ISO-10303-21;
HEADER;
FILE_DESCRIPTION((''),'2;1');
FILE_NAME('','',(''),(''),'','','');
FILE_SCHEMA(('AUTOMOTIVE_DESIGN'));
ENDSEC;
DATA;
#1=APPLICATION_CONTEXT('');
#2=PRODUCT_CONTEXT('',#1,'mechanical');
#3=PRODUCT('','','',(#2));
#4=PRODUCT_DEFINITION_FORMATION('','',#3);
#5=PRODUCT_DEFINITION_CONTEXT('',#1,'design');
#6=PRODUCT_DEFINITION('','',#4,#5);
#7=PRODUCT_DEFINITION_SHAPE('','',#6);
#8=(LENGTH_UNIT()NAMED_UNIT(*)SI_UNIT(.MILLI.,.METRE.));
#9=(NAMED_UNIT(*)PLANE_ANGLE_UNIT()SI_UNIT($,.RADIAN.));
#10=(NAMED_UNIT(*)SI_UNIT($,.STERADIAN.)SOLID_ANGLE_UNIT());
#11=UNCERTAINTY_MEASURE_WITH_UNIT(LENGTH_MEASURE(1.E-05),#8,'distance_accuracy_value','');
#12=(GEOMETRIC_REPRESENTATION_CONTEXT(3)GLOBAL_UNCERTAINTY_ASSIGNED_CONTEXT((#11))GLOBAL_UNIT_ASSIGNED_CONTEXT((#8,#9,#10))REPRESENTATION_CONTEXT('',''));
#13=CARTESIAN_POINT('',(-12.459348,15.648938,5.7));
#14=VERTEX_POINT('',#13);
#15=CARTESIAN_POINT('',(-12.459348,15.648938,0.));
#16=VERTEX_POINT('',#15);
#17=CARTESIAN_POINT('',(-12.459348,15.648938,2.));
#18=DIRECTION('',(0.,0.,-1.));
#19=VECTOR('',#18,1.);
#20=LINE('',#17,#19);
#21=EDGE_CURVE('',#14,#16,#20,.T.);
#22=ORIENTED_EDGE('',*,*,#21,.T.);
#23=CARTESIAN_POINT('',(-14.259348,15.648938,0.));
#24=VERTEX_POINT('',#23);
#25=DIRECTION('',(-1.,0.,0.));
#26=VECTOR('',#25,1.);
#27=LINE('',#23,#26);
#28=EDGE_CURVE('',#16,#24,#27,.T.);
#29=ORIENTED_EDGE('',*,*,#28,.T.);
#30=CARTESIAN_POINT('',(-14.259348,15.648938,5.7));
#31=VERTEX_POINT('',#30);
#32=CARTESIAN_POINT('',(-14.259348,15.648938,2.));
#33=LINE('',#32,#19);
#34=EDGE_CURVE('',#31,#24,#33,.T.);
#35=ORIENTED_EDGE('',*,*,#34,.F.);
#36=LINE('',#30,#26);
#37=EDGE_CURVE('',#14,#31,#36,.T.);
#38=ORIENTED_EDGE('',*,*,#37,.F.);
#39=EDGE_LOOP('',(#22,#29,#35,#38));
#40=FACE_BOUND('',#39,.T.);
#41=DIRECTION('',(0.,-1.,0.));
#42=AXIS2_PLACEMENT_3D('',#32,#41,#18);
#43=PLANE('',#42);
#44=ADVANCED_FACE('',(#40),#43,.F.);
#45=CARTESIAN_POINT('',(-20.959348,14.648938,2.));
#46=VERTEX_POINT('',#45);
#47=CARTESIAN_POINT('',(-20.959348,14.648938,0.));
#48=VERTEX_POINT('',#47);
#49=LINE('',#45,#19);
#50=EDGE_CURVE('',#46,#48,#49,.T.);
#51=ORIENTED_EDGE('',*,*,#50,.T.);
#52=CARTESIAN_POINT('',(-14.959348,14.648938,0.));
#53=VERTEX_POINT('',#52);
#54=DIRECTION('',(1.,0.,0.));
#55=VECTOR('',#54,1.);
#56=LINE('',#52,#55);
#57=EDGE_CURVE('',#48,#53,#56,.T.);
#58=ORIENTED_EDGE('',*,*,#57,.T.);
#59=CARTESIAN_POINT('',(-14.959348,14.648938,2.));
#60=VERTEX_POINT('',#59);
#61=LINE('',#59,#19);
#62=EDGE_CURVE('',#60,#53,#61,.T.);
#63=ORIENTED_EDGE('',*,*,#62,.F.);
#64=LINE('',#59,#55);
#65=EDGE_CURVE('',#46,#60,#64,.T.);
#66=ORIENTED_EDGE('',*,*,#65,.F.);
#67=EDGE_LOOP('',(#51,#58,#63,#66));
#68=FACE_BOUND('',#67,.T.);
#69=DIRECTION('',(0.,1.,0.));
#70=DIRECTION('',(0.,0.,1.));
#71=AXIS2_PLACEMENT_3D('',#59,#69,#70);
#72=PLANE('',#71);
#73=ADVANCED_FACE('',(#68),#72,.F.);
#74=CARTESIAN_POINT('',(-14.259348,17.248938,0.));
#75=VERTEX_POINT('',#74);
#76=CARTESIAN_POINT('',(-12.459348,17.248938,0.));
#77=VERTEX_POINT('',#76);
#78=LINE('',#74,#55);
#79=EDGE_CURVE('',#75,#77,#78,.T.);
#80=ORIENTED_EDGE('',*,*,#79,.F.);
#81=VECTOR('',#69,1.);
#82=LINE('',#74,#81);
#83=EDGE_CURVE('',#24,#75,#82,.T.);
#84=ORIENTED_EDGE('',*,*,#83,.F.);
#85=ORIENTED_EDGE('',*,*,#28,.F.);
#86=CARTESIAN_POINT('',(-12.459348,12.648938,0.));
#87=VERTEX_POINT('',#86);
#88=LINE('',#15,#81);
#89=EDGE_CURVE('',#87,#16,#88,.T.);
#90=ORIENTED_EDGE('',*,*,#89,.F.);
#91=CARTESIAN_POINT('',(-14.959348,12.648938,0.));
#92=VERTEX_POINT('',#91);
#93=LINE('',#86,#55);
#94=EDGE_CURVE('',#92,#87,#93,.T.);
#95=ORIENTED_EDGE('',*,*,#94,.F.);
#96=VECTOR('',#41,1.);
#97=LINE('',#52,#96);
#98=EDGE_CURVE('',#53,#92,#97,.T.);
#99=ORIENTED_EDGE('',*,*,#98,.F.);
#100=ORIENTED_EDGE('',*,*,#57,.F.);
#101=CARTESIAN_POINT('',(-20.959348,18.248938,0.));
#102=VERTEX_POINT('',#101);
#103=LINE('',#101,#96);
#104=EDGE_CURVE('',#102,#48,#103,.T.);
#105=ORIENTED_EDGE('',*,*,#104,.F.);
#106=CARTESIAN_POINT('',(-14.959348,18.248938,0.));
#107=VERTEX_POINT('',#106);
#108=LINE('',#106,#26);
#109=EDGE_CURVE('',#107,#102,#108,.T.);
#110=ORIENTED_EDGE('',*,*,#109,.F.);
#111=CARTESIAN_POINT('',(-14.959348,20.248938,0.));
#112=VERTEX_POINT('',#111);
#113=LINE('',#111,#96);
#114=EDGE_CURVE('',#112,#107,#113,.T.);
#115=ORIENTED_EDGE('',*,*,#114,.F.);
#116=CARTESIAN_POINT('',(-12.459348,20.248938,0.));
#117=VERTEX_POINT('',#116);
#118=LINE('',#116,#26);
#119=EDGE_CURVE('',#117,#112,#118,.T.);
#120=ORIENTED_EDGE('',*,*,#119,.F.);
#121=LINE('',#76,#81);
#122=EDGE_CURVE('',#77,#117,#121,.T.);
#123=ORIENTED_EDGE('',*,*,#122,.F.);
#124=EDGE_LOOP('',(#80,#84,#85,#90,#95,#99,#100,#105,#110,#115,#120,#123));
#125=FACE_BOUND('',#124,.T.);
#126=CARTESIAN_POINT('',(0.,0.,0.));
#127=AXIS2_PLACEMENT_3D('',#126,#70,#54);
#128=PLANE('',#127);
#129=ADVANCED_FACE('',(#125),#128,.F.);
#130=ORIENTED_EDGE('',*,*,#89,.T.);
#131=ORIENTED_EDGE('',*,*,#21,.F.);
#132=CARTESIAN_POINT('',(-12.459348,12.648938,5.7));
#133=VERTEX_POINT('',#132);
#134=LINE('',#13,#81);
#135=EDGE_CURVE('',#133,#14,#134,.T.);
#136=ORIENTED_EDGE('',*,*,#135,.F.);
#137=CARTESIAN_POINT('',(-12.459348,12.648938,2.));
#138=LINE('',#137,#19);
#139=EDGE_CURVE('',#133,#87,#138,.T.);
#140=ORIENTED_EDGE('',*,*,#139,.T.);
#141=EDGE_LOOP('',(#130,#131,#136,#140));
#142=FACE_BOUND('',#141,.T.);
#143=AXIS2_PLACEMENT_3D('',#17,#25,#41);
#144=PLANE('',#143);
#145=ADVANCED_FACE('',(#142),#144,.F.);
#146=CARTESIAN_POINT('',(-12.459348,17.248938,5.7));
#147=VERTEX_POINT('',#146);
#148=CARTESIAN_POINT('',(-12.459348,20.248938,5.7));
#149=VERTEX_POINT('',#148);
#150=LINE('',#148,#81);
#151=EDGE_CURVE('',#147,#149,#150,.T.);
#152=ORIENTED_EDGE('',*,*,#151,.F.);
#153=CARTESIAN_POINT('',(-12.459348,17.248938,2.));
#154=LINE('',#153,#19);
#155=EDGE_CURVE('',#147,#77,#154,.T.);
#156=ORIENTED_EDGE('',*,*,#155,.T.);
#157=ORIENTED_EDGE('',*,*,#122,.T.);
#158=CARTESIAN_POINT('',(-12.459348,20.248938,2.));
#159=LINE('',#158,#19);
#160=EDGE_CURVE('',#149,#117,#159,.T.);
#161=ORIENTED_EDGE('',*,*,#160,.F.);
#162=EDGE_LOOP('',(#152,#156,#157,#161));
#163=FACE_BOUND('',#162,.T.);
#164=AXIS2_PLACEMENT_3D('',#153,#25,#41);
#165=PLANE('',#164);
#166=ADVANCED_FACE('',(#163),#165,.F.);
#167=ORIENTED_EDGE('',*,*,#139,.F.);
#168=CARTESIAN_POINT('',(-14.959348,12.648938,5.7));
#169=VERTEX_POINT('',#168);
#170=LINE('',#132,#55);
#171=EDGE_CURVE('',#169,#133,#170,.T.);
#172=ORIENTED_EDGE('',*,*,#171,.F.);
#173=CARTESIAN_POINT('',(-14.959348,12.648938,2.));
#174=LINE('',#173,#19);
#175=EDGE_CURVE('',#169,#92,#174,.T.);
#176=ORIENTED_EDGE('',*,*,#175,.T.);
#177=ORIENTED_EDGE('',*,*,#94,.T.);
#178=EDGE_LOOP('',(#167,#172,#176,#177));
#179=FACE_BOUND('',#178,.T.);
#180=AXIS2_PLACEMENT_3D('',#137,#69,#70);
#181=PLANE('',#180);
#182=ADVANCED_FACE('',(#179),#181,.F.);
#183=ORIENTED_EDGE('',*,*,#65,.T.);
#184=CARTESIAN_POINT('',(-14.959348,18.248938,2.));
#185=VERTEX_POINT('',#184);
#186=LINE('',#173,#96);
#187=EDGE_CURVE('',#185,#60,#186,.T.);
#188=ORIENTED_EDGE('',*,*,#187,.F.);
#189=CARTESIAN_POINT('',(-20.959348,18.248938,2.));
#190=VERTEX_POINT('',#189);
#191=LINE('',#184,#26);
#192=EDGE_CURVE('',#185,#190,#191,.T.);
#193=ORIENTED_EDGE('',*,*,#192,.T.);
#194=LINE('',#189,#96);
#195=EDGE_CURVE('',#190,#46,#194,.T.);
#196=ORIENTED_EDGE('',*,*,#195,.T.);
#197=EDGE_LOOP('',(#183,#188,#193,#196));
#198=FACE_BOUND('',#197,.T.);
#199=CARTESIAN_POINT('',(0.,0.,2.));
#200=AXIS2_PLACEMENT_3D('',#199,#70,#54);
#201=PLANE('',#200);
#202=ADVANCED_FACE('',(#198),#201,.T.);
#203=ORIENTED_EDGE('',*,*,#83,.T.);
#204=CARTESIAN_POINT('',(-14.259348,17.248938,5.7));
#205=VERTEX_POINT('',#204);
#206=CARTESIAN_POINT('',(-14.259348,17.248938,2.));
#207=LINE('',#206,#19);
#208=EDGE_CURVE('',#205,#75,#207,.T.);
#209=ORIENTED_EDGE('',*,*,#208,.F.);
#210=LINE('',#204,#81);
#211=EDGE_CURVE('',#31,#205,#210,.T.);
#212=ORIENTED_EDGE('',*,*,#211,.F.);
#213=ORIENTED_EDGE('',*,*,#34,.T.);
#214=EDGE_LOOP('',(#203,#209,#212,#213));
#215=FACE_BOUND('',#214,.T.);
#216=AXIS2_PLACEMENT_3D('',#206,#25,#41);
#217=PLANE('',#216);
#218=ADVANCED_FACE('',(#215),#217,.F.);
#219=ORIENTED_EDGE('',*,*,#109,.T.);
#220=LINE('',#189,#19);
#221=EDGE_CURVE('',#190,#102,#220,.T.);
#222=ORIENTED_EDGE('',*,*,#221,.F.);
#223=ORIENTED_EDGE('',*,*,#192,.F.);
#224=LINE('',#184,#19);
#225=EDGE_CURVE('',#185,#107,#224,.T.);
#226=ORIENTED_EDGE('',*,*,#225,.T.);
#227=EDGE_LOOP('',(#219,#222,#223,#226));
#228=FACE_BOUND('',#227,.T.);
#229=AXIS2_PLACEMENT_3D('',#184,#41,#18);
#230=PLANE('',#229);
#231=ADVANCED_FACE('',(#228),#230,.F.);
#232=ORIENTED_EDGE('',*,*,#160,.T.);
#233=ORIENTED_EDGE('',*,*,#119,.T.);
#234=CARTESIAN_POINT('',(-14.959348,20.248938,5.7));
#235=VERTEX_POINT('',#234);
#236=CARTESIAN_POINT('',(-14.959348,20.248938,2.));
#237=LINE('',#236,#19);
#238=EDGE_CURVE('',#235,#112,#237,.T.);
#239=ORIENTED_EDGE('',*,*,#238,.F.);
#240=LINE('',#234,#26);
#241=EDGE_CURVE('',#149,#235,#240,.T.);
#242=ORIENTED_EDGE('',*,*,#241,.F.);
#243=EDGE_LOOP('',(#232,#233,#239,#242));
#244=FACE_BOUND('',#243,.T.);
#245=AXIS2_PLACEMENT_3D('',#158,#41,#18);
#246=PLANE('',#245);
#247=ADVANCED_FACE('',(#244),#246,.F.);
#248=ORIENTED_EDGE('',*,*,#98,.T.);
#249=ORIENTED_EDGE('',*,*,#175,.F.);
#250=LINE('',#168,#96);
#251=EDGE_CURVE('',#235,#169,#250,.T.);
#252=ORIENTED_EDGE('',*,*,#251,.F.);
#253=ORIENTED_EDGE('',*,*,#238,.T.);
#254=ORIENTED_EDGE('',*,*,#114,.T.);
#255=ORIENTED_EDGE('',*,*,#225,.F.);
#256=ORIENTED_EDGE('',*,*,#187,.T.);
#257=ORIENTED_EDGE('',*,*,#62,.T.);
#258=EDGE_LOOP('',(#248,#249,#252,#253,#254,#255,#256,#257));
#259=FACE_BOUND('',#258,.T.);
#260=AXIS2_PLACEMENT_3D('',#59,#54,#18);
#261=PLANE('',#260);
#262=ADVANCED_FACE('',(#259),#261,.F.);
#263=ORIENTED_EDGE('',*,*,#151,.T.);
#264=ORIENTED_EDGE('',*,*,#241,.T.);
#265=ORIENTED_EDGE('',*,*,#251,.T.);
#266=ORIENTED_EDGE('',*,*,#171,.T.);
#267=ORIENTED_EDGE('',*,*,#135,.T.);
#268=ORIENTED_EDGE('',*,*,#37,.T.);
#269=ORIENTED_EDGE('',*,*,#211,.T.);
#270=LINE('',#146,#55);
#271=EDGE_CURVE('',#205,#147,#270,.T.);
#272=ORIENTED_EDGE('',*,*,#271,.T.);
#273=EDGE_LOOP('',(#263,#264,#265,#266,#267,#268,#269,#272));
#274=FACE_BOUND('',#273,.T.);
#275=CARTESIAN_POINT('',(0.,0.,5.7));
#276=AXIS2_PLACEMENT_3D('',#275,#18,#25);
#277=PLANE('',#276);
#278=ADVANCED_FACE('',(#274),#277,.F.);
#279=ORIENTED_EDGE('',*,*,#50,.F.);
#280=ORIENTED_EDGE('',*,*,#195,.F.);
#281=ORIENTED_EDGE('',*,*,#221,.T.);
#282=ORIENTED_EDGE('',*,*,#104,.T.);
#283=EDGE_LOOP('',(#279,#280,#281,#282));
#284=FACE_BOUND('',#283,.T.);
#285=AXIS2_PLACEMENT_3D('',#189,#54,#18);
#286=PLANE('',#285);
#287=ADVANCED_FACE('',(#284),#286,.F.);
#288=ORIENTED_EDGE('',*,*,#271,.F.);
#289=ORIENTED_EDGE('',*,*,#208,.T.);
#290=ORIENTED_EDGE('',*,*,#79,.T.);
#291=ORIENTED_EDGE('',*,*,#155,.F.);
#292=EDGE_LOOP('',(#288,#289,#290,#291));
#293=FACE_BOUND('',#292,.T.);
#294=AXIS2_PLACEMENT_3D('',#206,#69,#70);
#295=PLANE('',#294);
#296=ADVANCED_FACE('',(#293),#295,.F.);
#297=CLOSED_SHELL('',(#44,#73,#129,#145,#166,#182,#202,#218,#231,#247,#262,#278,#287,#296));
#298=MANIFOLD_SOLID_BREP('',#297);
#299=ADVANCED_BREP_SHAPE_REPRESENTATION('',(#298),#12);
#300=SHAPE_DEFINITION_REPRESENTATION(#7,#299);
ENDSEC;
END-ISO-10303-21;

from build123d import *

# Parameters (mm, degrees)
BOSS_EXTRUDE1_DEPTH = 2
BOSS_EXTRUDE2_DEPTH = 3.7


with BuildPart() as part:
    # Sketch1 → Boss-Extrude1 (new body)
    with BuildSketch(Plane.XY):
        Polygon((-14.259347555, 17.248938456), (-14.259347555, 15.648938456), (-12.459347555, 15.648938456), (-12.459347555, 12.648938456), (-14.959347555, 12.648938456), (-14.959347555, 14.648938456), (-20.959347555, 14.648938456), (-20.959347555, 18.248938456), (-14.959347555, 18.248938456), (-14.959347555, 20.248938456), (-12.459347555, 20.248938456), (-12.459347555, 17.248938456), align=None)
    extrude(amount=BOSS_EXTRUDE1_DEPTH)

    # Sketch2 → Boss-Extrude2 (add)
    with BuildSketch(Plane.XY.offset(2)):
        Polygon((-14.959347555, 20.248938456), (-12.459347555, 20.248938456), (-12.459347555, 17.248938456), (-14.259347555, 17.248938456), (-14.259347555, 15.648938456), (-12.459347555, 15.648938456), (-12.459347555, 12.648938456), (-14.959347555, 12.648938456), align=None)
    extrude(amount=BOSS_EXTRUDE2_DEPTH)


solid = part.part
